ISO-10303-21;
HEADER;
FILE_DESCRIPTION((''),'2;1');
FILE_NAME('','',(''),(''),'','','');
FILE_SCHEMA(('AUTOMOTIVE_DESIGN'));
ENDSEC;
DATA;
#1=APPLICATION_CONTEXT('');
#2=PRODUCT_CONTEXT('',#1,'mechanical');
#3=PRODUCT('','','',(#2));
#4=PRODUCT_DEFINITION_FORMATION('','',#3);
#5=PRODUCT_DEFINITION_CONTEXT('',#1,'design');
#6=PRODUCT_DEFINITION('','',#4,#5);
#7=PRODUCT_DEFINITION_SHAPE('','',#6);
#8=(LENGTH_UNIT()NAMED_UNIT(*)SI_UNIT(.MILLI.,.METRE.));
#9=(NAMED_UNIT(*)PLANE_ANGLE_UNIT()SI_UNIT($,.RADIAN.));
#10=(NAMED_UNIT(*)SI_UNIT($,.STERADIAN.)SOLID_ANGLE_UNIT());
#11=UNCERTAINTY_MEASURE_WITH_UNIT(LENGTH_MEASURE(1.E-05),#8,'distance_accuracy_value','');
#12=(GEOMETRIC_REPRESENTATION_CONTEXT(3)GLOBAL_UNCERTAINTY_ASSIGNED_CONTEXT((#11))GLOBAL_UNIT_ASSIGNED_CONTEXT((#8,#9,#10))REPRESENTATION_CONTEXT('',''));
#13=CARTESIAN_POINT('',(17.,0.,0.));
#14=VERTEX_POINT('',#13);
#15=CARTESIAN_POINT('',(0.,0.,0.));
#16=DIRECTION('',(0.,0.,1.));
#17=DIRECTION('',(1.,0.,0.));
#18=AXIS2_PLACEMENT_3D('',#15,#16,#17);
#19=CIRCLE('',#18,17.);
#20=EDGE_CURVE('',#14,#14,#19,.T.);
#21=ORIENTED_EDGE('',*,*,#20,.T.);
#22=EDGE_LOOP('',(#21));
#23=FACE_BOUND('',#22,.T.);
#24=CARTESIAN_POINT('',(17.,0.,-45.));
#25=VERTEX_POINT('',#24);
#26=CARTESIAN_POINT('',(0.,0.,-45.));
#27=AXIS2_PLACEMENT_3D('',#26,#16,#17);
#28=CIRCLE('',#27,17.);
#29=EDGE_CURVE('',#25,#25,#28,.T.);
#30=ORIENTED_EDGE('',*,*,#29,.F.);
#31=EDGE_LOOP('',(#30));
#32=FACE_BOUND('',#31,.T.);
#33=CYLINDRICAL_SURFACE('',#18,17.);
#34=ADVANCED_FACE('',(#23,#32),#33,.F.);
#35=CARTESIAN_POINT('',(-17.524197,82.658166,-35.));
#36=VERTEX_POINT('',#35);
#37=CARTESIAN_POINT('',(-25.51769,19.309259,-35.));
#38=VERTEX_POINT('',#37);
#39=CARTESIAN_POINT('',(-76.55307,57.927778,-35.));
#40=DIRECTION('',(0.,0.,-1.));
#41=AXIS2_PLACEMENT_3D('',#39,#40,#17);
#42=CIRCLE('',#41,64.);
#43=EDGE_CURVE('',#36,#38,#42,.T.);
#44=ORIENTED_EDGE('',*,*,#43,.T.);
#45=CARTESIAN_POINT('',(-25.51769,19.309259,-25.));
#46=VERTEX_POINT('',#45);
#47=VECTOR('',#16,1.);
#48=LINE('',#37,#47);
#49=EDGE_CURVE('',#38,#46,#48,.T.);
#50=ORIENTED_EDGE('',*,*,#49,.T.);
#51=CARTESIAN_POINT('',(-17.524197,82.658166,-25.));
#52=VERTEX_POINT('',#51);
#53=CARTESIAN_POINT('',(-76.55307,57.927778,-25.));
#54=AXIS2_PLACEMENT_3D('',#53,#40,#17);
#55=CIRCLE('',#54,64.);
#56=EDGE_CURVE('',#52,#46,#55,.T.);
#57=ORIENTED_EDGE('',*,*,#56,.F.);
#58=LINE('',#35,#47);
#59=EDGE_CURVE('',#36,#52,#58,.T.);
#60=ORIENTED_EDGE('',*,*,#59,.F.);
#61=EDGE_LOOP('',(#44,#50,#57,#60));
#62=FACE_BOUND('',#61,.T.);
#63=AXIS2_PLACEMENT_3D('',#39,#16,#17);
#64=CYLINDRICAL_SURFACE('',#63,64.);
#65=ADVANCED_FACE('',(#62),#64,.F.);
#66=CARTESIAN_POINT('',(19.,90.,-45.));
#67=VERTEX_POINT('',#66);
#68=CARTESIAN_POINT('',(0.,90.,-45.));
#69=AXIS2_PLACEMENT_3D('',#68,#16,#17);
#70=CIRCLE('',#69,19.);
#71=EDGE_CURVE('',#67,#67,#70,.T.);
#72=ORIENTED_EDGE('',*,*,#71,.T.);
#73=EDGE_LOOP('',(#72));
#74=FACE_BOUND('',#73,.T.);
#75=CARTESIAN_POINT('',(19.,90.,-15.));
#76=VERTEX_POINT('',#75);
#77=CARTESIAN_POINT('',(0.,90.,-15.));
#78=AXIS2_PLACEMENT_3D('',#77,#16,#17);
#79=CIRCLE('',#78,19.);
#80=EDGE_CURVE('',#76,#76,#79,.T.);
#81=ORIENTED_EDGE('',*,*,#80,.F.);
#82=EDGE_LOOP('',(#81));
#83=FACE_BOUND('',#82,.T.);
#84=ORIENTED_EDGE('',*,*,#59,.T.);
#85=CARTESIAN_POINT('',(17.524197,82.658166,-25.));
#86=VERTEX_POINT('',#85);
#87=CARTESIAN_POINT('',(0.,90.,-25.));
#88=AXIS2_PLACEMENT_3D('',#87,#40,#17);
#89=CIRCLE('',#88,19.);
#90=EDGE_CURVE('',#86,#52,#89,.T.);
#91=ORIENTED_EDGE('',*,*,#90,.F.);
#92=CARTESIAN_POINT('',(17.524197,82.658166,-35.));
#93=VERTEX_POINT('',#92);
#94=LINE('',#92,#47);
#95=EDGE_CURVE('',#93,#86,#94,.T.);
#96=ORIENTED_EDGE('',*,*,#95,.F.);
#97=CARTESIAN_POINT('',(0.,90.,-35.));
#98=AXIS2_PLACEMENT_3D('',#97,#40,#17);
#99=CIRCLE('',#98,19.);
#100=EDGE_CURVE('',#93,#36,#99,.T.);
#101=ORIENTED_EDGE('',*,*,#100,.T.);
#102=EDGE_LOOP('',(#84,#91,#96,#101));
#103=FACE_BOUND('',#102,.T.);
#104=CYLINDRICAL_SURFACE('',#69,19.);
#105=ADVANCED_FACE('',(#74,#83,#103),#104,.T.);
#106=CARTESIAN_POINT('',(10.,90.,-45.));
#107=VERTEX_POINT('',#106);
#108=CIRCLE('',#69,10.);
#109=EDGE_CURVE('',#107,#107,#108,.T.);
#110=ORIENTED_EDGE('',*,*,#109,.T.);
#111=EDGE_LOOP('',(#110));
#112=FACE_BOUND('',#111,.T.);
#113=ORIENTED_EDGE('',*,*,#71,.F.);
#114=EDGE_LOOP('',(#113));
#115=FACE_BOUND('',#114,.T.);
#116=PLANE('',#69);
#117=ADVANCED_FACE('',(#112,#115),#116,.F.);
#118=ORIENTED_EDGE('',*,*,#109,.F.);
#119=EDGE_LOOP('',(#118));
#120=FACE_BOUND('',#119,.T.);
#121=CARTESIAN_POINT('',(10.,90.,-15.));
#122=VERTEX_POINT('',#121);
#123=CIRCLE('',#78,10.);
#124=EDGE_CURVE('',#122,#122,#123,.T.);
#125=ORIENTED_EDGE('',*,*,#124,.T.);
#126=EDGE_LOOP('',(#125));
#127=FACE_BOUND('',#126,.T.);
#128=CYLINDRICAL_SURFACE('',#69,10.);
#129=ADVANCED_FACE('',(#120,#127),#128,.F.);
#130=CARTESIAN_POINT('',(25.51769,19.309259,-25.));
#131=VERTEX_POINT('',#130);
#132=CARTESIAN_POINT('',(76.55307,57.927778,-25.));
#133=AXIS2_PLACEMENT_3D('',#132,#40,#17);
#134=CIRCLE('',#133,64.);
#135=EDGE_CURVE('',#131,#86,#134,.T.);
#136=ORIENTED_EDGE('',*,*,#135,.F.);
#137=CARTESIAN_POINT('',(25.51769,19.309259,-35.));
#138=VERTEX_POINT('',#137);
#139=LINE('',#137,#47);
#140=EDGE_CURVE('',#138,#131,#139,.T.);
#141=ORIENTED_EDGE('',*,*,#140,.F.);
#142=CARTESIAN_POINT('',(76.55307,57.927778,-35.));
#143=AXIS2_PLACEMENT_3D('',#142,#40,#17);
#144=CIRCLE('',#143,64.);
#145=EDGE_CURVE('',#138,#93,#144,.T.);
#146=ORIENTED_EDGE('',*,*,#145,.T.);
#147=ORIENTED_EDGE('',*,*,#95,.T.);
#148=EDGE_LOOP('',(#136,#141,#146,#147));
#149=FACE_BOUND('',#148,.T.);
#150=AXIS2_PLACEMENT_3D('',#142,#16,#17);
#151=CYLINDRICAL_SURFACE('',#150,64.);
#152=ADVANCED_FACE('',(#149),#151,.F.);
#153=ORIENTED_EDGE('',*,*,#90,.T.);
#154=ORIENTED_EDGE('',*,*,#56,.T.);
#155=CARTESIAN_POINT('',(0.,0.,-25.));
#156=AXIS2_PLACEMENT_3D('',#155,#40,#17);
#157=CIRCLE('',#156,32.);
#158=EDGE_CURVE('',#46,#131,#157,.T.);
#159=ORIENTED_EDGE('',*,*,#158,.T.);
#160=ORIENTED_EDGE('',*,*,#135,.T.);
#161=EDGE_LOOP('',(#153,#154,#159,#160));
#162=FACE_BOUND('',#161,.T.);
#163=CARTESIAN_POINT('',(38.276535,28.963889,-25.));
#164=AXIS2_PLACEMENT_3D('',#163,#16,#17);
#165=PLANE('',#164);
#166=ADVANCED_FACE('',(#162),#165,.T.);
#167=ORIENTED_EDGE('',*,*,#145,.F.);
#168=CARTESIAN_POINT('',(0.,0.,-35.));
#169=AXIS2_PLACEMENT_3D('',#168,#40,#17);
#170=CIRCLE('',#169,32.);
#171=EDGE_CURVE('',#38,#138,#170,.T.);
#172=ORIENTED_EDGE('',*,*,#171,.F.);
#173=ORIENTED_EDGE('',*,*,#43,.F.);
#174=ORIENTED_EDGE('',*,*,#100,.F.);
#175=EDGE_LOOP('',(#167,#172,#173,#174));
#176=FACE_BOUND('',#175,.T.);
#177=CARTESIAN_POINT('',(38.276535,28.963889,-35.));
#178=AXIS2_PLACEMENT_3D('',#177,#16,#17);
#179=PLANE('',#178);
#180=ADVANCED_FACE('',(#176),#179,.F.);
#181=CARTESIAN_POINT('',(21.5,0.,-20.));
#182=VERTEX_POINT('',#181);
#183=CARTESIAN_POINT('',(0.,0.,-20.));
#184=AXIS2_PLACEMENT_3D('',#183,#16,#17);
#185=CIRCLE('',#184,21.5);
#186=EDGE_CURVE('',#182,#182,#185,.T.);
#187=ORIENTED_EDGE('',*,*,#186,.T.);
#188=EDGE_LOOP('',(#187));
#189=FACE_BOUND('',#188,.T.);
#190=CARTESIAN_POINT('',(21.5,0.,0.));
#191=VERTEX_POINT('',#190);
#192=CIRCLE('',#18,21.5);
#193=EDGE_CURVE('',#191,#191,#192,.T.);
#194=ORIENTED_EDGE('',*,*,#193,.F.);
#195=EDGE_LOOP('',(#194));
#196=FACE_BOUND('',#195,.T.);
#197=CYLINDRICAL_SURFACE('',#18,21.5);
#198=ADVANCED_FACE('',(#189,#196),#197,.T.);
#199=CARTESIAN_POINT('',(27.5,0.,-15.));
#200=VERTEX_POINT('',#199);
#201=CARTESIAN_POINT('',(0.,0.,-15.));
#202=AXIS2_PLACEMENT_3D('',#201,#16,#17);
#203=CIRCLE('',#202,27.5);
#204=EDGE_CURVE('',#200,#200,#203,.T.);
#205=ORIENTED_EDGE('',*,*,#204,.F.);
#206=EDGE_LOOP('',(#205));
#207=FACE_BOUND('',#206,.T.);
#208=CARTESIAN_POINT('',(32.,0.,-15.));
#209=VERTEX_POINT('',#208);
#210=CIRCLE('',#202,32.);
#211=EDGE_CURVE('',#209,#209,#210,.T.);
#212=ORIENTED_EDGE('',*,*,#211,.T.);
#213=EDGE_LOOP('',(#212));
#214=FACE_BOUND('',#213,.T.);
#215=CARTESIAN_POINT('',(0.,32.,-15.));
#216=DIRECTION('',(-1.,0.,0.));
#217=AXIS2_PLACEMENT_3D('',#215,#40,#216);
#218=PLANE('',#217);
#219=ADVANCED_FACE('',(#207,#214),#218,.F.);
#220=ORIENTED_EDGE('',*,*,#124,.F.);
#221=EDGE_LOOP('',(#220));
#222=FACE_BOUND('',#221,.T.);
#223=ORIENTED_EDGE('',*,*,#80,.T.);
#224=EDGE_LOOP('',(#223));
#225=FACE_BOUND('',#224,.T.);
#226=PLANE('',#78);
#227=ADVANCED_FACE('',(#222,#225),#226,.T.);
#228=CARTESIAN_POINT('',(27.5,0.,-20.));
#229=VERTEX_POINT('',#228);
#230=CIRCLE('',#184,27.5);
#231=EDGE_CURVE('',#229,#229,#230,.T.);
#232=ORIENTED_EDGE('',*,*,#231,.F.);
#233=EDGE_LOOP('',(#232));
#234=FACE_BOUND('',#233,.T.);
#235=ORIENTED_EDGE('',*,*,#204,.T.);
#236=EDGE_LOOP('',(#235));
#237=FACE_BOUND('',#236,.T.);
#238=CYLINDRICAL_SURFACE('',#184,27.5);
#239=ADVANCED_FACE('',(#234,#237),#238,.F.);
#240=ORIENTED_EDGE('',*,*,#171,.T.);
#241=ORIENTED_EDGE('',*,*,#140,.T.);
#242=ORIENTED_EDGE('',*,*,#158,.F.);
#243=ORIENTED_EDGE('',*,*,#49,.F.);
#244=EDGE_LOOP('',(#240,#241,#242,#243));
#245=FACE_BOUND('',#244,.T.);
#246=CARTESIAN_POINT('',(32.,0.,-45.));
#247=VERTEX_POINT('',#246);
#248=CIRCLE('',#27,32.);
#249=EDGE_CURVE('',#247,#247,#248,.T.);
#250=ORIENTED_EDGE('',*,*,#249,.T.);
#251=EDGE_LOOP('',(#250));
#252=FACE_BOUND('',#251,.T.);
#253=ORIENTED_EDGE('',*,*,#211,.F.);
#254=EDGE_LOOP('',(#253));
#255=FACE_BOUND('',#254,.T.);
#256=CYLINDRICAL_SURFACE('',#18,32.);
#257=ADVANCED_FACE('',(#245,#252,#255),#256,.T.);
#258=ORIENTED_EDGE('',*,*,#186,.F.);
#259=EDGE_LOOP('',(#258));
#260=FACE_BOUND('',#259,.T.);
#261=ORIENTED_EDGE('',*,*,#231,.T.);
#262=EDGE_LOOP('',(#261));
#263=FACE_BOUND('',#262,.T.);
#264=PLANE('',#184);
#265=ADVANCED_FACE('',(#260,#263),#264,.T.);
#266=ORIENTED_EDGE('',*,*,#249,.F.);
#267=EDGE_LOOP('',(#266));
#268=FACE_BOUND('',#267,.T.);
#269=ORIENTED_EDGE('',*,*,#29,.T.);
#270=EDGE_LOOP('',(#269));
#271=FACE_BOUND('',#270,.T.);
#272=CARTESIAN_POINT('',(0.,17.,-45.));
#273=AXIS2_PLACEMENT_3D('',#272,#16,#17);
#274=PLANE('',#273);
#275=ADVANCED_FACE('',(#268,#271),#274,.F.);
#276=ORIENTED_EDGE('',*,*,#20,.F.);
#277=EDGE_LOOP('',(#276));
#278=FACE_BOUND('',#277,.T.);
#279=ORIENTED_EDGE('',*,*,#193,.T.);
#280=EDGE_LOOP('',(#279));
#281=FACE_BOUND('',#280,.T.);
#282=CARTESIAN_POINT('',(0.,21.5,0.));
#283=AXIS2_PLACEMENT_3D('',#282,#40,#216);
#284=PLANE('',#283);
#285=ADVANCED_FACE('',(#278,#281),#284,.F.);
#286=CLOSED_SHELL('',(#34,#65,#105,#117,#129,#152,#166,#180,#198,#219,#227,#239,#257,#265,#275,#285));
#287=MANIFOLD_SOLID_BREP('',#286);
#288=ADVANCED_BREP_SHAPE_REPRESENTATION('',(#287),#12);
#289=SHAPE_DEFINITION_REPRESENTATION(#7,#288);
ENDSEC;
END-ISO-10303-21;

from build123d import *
from build123d.topology import SkipClean

# Parameters (mm, degrees)
SKETCH2_R                = 27.5
SKETCH2_R_2              = 21.5
CUT_EXTRUDE1_DEPTH       = 5
BOSS_EXTRUDE1_DEPTH      = 15
BOSS_EXTRUDE1_DEPTH_BACK = 15
SKETCH3_R                = 19
SKETCH3_R_2              = 10
BOSS_EXTRUDE2_DEPTH      = 5
BOSS_EXTRUDE2_DEPTH_BACK = 5


with BuildPart() as part:
    # Sketch1 → Revolve1 (revolve)
    with BuildSketch(Plane(origin=(0, 0, 0), x_dir=(0, 0, -1), z_dir=(1, 0, 0))):
        Polygon((0, 17), (45, 17), (45, 32), (15, 32), (15, 21.5), (0, 21.5), align=None)
    revolve(axis=Axis((0, 0, 0), (0, 0, -1)))

    # Sketch2 → Cut-Extrude1 (cut)
    with SkipClean():  # the faces are left unmerged after this step: merging them gives an invalid solid
        with BuildSketch(Plane.XY.offset(-15)):
            Circle(SKETCH2_R)
            Circle(SKETCH2_R_2, mode=Mode.SUBTRACT)
        extrude(amount=-CUT_EXTRUDE1_DEPTH, mode=Mode.SUBTRACT)



with BuildPart() as body_2:
    # Sketch3 → Boss-Extrude1 (new, two sides: drawn at the far end of the back side and taken through both)
    with BuildSketch(Plane.XY.offset(-30).offset(-BOSS_EXTRUDE1_DEPTH_BACK)):
        with Locations((0, 90)):
            Circle(SKETCH3_R)
        with Locations((0, 90)):
            Circle(SKETCH3_R_2, mode=Mode.SUBTRACT)
    extrude(amount=BOSS_EXTRUDE1_DEPTH + BOSS_EXTRUDE1_DEPTH_BACK)


with BuildPart() as part_1:
    with SkipClean():  # the faces are left unmerged after this step: merging them gives an invalid solid
        add(part.part)

        add(body_2.part)  # Boss-Extrude2 merges body 2
        # Sketch4 → Boss-Extrude2 (add, two sides: drawn at the far end of the back side and taken through both)
        with BuildSketch(Plane.XY.offset(-30).offset(-BOSS_EXTRUDE2_DEPTH_BACK)):
            with BuildLine():
                ThreePointArc((25.517690077, 19.309259259), (0, 32), (-25.517690077, 19.309259259))
                ThreePointArc((-25.517690077, 19.309259259), (-13.056566583, 49.915660424), (-17.5241968, 82.658165997))
                ThreePointArc((-17.5241968, 82.658165997), (0, 71), (17.5241968, 82.658165997))
                ThreePointArc((17.5241968, 82.658165997), (13.056566583, 49.915660424), (25.517690077, 19.309259259))
            make_face()
        extrude(amount=BOSS_EXTRUDE2_DEPTH + BOSS_EXTRUDE2_DEPTH_BACK)


solid = part_1.part
